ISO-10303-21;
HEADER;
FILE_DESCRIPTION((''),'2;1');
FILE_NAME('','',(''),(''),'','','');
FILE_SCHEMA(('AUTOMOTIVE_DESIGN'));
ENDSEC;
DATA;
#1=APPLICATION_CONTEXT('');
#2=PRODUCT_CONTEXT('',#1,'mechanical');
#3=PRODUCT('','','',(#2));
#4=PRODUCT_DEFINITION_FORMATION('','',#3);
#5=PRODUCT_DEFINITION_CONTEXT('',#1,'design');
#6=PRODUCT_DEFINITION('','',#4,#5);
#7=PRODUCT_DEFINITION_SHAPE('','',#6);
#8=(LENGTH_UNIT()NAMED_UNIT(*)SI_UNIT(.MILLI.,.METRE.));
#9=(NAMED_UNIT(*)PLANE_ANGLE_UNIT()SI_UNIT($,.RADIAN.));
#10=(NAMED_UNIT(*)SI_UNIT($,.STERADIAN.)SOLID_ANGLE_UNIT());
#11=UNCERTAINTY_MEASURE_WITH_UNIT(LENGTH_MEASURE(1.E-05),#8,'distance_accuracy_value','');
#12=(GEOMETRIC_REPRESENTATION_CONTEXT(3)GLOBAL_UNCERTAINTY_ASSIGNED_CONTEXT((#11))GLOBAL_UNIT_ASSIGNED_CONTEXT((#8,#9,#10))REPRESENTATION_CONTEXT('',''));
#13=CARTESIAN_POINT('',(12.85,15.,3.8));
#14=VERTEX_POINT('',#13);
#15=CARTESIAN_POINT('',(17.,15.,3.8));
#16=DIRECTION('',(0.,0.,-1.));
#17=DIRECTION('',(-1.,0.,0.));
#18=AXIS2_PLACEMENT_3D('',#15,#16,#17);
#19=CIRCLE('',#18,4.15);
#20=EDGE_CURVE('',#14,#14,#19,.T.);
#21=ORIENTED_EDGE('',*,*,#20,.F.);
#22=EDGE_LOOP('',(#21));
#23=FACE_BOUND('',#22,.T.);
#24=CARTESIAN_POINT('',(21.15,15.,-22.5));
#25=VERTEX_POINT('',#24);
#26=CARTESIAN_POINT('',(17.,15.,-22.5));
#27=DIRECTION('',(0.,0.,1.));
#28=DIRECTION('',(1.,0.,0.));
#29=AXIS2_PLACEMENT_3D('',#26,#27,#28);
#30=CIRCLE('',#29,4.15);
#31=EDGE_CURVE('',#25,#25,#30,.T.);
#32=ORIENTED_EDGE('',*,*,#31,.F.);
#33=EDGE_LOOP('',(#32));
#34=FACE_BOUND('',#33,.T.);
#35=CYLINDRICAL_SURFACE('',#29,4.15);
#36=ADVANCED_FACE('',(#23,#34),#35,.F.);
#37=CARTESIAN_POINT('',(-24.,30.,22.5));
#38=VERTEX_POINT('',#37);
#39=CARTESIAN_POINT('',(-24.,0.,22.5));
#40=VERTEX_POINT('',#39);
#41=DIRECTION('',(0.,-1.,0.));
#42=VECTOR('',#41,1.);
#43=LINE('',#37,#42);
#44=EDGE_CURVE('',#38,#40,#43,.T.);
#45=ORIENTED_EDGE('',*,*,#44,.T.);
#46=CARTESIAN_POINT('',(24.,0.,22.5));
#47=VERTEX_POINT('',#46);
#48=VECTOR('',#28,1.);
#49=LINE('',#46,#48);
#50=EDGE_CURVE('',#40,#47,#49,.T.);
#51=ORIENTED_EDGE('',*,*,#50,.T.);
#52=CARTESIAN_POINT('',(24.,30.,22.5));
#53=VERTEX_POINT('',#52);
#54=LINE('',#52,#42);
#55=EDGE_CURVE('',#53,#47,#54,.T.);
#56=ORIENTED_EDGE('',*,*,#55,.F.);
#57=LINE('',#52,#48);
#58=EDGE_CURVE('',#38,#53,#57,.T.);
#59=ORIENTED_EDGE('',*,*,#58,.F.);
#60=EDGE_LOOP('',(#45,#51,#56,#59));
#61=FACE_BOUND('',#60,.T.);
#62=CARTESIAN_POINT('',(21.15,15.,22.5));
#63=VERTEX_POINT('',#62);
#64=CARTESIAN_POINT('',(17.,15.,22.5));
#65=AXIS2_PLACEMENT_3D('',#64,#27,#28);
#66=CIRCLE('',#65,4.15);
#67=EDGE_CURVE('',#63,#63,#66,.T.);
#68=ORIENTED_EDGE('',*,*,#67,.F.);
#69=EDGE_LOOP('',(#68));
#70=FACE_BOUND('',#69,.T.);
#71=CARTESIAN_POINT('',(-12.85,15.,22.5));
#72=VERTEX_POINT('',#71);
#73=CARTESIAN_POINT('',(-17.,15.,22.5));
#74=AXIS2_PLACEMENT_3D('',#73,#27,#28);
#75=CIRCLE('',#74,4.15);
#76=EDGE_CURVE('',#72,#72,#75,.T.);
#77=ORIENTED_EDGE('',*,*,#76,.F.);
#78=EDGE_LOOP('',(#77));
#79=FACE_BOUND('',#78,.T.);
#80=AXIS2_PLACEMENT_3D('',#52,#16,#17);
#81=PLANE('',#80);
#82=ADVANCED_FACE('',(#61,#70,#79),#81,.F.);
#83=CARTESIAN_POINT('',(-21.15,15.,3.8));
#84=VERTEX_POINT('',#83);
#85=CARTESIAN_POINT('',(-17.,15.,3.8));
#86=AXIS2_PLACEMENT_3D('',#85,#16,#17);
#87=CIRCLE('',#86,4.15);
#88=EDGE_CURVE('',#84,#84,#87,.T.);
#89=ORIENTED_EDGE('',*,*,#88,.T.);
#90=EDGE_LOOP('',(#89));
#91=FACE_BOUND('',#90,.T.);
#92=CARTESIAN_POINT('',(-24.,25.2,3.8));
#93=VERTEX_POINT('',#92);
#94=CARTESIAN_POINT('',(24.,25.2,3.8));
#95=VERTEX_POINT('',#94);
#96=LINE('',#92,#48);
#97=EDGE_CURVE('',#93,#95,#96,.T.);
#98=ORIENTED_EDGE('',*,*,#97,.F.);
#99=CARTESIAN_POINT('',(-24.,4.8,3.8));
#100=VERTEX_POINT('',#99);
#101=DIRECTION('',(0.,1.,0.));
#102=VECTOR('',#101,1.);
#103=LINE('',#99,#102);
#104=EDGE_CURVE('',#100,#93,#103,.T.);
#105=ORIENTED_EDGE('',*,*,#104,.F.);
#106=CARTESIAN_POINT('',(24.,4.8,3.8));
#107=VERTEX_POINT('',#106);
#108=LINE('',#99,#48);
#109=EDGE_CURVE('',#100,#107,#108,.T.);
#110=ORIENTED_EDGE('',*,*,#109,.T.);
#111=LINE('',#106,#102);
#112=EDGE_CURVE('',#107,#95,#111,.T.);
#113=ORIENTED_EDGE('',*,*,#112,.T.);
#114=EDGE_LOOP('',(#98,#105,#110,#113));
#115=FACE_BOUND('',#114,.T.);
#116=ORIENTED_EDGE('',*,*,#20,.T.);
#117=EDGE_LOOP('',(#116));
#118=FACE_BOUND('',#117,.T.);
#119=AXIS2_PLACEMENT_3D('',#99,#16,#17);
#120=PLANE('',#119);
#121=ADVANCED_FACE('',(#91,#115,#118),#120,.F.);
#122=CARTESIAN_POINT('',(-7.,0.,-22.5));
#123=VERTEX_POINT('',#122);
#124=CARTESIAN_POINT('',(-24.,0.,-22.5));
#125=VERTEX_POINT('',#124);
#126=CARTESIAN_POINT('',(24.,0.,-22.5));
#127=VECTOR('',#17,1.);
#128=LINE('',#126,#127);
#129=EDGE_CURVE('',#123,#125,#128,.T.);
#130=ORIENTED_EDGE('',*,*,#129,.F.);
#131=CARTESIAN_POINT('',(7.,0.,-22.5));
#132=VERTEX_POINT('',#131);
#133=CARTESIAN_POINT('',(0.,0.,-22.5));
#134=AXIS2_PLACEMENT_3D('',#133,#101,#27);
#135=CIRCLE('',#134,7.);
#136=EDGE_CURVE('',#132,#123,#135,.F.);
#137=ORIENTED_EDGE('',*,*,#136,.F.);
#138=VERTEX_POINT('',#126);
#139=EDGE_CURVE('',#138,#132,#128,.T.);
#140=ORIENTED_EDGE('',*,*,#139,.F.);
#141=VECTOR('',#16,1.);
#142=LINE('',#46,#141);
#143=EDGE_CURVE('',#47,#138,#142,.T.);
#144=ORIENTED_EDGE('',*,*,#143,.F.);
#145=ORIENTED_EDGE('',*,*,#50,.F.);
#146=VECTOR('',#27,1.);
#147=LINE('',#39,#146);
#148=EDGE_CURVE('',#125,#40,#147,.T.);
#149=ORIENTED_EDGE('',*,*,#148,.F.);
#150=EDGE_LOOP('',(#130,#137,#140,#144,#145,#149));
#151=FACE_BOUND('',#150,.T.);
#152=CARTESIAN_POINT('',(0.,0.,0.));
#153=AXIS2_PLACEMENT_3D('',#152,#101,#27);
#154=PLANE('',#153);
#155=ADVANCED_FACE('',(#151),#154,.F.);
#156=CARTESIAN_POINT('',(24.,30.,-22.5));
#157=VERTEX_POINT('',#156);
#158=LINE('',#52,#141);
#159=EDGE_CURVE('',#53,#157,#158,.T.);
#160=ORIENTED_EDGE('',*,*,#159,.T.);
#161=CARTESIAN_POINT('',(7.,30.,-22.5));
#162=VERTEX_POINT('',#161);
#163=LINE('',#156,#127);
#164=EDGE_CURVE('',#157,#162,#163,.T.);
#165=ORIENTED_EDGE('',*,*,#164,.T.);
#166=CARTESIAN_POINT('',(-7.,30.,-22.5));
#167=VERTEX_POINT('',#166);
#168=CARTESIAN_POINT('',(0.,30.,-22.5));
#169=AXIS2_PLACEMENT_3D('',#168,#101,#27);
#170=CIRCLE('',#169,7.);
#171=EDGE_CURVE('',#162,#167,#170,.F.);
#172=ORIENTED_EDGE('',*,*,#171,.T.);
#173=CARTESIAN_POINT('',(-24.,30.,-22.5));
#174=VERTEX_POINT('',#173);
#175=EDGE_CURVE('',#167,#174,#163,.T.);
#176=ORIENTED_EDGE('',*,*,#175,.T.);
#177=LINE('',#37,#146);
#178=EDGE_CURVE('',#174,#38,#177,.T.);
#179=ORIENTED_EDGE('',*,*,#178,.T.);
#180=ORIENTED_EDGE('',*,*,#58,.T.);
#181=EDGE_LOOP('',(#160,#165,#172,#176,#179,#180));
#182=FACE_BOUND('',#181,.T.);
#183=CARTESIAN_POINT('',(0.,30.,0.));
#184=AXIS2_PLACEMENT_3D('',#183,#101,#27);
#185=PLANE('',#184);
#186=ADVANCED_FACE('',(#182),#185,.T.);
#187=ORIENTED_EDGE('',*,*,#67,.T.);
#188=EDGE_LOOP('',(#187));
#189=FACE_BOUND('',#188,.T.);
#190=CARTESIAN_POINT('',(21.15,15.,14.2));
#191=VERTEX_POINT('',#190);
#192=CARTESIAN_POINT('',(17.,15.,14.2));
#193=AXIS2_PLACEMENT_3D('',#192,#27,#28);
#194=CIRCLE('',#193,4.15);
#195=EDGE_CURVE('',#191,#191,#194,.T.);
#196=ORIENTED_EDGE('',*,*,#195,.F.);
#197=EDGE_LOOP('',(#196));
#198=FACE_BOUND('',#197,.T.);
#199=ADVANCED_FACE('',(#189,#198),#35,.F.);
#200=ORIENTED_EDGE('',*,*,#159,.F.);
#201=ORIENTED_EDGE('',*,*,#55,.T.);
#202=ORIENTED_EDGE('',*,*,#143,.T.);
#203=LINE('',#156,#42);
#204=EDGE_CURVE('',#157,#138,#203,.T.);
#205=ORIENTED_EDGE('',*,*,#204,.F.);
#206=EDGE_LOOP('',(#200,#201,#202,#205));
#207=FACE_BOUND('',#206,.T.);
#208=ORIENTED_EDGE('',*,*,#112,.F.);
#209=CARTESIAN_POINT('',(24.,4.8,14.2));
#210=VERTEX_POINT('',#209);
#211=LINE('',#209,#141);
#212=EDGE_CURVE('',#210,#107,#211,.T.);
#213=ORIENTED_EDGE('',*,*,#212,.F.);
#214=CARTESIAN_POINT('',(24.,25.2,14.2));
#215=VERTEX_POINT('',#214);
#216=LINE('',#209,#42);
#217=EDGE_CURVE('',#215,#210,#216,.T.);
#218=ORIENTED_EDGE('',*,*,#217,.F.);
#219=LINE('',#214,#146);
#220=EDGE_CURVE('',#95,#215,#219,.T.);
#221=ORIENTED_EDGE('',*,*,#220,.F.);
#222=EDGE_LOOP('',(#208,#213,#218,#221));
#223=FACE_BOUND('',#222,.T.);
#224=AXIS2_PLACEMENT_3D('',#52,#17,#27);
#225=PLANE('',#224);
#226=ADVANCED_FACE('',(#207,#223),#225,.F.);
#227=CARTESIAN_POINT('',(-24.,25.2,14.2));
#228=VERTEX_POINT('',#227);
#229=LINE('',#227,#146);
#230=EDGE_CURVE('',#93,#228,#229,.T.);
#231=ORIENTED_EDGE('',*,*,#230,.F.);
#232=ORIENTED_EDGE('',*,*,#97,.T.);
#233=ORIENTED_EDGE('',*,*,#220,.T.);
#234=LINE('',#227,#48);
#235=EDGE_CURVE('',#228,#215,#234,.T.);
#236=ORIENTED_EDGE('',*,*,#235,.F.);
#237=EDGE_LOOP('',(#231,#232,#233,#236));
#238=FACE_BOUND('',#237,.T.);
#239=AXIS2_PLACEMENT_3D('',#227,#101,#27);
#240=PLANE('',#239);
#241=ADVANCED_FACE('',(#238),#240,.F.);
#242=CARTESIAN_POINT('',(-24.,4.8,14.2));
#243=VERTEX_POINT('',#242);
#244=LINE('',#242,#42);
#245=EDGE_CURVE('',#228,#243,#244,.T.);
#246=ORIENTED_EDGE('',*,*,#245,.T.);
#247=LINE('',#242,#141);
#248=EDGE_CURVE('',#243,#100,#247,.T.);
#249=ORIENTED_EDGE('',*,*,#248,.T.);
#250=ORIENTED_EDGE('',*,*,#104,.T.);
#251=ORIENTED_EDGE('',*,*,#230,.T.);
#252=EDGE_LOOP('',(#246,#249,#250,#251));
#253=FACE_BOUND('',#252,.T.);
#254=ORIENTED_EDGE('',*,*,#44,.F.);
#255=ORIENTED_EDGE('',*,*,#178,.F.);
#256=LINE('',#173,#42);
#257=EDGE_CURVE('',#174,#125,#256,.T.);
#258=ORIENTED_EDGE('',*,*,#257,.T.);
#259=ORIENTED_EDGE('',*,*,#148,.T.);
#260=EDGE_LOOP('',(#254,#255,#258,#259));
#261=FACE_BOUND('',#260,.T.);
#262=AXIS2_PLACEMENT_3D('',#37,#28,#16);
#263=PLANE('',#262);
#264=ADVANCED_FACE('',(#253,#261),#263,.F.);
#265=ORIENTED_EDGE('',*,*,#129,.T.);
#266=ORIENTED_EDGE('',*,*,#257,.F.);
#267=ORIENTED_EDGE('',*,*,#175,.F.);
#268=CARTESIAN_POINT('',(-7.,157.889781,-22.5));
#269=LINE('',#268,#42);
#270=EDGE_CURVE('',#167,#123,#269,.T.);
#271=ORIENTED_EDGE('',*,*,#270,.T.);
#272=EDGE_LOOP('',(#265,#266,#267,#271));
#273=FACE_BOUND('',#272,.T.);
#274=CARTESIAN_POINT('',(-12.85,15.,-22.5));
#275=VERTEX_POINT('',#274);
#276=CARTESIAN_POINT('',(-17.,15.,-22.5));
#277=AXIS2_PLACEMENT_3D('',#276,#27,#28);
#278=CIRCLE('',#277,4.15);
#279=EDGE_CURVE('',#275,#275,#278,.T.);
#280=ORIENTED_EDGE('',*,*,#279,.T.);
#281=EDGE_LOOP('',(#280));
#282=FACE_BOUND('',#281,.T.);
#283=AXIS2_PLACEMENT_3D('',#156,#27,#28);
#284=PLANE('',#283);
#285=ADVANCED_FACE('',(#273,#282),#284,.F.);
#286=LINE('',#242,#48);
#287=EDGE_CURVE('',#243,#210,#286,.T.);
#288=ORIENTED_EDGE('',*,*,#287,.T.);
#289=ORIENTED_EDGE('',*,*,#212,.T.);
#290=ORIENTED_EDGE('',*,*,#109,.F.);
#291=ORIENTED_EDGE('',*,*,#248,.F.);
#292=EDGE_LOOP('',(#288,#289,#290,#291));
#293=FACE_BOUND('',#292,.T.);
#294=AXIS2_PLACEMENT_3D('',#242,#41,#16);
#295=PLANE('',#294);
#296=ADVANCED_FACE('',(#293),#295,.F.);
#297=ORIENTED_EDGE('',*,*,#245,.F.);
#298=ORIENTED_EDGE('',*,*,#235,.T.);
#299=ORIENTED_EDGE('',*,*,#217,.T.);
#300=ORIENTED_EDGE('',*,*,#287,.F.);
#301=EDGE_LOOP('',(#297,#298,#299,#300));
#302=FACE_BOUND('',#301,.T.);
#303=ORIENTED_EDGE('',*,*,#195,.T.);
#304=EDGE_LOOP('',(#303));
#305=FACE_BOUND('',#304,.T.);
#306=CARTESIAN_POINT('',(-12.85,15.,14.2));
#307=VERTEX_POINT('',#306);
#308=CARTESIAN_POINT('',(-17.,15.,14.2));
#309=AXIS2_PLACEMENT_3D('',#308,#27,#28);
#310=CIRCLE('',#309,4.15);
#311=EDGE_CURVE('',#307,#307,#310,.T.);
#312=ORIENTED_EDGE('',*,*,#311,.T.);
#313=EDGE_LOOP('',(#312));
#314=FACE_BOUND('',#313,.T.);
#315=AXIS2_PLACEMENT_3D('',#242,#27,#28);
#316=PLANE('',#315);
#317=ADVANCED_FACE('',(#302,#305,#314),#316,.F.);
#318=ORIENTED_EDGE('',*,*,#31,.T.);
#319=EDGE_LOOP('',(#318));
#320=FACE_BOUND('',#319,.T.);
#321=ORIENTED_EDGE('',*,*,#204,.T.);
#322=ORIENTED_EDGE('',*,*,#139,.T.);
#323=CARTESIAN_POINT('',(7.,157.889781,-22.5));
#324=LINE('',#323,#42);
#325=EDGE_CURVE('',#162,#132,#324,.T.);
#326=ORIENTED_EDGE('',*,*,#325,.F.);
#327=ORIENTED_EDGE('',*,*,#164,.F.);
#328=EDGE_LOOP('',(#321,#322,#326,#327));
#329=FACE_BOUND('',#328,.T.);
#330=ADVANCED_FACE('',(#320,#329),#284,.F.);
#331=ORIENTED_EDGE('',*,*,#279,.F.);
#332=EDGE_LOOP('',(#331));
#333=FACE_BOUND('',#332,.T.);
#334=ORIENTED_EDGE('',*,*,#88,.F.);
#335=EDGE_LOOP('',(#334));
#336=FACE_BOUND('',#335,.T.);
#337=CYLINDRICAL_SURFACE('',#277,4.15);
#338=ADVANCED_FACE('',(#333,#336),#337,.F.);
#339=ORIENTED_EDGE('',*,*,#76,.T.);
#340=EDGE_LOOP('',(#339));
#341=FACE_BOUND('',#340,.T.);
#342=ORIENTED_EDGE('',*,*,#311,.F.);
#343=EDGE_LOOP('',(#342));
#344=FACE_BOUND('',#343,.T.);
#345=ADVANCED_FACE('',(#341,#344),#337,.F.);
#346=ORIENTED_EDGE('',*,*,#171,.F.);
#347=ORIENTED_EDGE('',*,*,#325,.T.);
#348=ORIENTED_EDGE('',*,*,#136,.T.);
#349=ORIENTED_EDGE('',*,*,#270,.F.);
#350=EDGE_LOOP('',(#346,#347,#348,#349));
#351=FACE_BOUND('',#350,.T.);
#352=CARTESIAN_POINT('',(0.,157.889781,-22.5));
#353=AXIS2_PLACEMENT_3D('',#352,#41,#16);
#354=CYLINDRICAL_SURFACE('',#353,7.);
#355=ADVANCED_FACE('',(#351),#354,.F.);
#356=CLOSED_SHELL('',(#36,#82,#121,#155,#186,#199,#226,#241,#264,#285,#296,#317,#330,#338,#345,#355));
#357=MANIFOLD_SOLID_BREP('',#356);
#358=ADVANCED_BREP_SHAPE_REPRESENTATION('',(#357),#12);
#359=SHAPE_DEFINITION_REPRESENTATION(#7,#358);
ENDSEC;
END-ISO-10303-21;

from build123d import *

# Parameters (mm, degrees)
SKETCH1_W               = 48
SKETCH1_H               = 45
BOSS_EXTRUDE1_DEPTH     = 30
SKETCH2_W               = 10.4
SKETCH2_H               = 20.4
CUT_EXTRUDE1_DEPTH      = 49
SKETCH3_R               = 4.15
CUT_EXTRUDE2_DEPTH      = 46
CUT_EXTRUDE3_DEPTH      = 1
CUT_EXTRUDE3_DEPTH_BACK = 31


with BuildPart() as part:
    # Sketch1 → Boss-Extrude1 (new body)
    with BuildSketch(Plane(origin=(0, 0, 0), x_dir=(1, 0, 0), z_dir=(0, 1, 0))):
        Rectangle(SKETCH1_W, SKETCH1_H)
    extrude(amount=BOSS_EXTRUDE1_DEPTH)

    # Sketch2 → Cut-Extrude1 (cut, through all)
    with BuildSketch(Plane(origin=(24, 0, 0), x_dir=(0, 0, -1), z_dir=(1, 0, 0))):
        with Locations((-9, 15)):
            Rectangle(SKETCH2_W, SKETCH2_H)
    extrude(amount=-CUT_EXTRUDE1_DEPTH, mode=Mode.SUBTRACT)

    # Sketch3 → Cut-Extrude2 (cut, through all)
    with BuildSketch(Plane.XY.offset(22.5)):
        with Locations((-17, 15)):
            Circle(SKETCH3_R)
        with Locations((17, 15)):
            Circle(SKETCH3_R)
    extrude(amount=-CUT_EXTRUDE2_DEPTH, mode=Mode.SUBTRACT)

    # Sketch4 → Cut-Extrude3 (cut, two sides)
    with BuildSketch(Plane(origin=(0, 30, 0), x_dir=(1, 0, 0), z_dir=(0, 1, 0))) as cut_extrude3_sk:
        with BuildLine():
            Line((-7, 141.788608739), (-7, 22.5))
            ThreePointArc((-7, 22.5), (0, 15.5), (7, 22.5))
            Line((7, 22.5), (7, 141.788608739))
            Line((7, 141.788608739), (7, 380.365826216))
            Line((7, 380.365826216), (-7, 380.365826216))
            Line((-7, 380.365826216), (-7, 141.788608739))
        make_face()
    extrude(amount=CUT_EXTRUDE3_DEPTH, mode=Mode.SUBTRACT)
    extrude(cut_extrude3_sk.sketch, amount=-CUT_EXTRUDE3_DEPTH_BACK, mode=Mode.SUBTRACT)


solid = part.part
